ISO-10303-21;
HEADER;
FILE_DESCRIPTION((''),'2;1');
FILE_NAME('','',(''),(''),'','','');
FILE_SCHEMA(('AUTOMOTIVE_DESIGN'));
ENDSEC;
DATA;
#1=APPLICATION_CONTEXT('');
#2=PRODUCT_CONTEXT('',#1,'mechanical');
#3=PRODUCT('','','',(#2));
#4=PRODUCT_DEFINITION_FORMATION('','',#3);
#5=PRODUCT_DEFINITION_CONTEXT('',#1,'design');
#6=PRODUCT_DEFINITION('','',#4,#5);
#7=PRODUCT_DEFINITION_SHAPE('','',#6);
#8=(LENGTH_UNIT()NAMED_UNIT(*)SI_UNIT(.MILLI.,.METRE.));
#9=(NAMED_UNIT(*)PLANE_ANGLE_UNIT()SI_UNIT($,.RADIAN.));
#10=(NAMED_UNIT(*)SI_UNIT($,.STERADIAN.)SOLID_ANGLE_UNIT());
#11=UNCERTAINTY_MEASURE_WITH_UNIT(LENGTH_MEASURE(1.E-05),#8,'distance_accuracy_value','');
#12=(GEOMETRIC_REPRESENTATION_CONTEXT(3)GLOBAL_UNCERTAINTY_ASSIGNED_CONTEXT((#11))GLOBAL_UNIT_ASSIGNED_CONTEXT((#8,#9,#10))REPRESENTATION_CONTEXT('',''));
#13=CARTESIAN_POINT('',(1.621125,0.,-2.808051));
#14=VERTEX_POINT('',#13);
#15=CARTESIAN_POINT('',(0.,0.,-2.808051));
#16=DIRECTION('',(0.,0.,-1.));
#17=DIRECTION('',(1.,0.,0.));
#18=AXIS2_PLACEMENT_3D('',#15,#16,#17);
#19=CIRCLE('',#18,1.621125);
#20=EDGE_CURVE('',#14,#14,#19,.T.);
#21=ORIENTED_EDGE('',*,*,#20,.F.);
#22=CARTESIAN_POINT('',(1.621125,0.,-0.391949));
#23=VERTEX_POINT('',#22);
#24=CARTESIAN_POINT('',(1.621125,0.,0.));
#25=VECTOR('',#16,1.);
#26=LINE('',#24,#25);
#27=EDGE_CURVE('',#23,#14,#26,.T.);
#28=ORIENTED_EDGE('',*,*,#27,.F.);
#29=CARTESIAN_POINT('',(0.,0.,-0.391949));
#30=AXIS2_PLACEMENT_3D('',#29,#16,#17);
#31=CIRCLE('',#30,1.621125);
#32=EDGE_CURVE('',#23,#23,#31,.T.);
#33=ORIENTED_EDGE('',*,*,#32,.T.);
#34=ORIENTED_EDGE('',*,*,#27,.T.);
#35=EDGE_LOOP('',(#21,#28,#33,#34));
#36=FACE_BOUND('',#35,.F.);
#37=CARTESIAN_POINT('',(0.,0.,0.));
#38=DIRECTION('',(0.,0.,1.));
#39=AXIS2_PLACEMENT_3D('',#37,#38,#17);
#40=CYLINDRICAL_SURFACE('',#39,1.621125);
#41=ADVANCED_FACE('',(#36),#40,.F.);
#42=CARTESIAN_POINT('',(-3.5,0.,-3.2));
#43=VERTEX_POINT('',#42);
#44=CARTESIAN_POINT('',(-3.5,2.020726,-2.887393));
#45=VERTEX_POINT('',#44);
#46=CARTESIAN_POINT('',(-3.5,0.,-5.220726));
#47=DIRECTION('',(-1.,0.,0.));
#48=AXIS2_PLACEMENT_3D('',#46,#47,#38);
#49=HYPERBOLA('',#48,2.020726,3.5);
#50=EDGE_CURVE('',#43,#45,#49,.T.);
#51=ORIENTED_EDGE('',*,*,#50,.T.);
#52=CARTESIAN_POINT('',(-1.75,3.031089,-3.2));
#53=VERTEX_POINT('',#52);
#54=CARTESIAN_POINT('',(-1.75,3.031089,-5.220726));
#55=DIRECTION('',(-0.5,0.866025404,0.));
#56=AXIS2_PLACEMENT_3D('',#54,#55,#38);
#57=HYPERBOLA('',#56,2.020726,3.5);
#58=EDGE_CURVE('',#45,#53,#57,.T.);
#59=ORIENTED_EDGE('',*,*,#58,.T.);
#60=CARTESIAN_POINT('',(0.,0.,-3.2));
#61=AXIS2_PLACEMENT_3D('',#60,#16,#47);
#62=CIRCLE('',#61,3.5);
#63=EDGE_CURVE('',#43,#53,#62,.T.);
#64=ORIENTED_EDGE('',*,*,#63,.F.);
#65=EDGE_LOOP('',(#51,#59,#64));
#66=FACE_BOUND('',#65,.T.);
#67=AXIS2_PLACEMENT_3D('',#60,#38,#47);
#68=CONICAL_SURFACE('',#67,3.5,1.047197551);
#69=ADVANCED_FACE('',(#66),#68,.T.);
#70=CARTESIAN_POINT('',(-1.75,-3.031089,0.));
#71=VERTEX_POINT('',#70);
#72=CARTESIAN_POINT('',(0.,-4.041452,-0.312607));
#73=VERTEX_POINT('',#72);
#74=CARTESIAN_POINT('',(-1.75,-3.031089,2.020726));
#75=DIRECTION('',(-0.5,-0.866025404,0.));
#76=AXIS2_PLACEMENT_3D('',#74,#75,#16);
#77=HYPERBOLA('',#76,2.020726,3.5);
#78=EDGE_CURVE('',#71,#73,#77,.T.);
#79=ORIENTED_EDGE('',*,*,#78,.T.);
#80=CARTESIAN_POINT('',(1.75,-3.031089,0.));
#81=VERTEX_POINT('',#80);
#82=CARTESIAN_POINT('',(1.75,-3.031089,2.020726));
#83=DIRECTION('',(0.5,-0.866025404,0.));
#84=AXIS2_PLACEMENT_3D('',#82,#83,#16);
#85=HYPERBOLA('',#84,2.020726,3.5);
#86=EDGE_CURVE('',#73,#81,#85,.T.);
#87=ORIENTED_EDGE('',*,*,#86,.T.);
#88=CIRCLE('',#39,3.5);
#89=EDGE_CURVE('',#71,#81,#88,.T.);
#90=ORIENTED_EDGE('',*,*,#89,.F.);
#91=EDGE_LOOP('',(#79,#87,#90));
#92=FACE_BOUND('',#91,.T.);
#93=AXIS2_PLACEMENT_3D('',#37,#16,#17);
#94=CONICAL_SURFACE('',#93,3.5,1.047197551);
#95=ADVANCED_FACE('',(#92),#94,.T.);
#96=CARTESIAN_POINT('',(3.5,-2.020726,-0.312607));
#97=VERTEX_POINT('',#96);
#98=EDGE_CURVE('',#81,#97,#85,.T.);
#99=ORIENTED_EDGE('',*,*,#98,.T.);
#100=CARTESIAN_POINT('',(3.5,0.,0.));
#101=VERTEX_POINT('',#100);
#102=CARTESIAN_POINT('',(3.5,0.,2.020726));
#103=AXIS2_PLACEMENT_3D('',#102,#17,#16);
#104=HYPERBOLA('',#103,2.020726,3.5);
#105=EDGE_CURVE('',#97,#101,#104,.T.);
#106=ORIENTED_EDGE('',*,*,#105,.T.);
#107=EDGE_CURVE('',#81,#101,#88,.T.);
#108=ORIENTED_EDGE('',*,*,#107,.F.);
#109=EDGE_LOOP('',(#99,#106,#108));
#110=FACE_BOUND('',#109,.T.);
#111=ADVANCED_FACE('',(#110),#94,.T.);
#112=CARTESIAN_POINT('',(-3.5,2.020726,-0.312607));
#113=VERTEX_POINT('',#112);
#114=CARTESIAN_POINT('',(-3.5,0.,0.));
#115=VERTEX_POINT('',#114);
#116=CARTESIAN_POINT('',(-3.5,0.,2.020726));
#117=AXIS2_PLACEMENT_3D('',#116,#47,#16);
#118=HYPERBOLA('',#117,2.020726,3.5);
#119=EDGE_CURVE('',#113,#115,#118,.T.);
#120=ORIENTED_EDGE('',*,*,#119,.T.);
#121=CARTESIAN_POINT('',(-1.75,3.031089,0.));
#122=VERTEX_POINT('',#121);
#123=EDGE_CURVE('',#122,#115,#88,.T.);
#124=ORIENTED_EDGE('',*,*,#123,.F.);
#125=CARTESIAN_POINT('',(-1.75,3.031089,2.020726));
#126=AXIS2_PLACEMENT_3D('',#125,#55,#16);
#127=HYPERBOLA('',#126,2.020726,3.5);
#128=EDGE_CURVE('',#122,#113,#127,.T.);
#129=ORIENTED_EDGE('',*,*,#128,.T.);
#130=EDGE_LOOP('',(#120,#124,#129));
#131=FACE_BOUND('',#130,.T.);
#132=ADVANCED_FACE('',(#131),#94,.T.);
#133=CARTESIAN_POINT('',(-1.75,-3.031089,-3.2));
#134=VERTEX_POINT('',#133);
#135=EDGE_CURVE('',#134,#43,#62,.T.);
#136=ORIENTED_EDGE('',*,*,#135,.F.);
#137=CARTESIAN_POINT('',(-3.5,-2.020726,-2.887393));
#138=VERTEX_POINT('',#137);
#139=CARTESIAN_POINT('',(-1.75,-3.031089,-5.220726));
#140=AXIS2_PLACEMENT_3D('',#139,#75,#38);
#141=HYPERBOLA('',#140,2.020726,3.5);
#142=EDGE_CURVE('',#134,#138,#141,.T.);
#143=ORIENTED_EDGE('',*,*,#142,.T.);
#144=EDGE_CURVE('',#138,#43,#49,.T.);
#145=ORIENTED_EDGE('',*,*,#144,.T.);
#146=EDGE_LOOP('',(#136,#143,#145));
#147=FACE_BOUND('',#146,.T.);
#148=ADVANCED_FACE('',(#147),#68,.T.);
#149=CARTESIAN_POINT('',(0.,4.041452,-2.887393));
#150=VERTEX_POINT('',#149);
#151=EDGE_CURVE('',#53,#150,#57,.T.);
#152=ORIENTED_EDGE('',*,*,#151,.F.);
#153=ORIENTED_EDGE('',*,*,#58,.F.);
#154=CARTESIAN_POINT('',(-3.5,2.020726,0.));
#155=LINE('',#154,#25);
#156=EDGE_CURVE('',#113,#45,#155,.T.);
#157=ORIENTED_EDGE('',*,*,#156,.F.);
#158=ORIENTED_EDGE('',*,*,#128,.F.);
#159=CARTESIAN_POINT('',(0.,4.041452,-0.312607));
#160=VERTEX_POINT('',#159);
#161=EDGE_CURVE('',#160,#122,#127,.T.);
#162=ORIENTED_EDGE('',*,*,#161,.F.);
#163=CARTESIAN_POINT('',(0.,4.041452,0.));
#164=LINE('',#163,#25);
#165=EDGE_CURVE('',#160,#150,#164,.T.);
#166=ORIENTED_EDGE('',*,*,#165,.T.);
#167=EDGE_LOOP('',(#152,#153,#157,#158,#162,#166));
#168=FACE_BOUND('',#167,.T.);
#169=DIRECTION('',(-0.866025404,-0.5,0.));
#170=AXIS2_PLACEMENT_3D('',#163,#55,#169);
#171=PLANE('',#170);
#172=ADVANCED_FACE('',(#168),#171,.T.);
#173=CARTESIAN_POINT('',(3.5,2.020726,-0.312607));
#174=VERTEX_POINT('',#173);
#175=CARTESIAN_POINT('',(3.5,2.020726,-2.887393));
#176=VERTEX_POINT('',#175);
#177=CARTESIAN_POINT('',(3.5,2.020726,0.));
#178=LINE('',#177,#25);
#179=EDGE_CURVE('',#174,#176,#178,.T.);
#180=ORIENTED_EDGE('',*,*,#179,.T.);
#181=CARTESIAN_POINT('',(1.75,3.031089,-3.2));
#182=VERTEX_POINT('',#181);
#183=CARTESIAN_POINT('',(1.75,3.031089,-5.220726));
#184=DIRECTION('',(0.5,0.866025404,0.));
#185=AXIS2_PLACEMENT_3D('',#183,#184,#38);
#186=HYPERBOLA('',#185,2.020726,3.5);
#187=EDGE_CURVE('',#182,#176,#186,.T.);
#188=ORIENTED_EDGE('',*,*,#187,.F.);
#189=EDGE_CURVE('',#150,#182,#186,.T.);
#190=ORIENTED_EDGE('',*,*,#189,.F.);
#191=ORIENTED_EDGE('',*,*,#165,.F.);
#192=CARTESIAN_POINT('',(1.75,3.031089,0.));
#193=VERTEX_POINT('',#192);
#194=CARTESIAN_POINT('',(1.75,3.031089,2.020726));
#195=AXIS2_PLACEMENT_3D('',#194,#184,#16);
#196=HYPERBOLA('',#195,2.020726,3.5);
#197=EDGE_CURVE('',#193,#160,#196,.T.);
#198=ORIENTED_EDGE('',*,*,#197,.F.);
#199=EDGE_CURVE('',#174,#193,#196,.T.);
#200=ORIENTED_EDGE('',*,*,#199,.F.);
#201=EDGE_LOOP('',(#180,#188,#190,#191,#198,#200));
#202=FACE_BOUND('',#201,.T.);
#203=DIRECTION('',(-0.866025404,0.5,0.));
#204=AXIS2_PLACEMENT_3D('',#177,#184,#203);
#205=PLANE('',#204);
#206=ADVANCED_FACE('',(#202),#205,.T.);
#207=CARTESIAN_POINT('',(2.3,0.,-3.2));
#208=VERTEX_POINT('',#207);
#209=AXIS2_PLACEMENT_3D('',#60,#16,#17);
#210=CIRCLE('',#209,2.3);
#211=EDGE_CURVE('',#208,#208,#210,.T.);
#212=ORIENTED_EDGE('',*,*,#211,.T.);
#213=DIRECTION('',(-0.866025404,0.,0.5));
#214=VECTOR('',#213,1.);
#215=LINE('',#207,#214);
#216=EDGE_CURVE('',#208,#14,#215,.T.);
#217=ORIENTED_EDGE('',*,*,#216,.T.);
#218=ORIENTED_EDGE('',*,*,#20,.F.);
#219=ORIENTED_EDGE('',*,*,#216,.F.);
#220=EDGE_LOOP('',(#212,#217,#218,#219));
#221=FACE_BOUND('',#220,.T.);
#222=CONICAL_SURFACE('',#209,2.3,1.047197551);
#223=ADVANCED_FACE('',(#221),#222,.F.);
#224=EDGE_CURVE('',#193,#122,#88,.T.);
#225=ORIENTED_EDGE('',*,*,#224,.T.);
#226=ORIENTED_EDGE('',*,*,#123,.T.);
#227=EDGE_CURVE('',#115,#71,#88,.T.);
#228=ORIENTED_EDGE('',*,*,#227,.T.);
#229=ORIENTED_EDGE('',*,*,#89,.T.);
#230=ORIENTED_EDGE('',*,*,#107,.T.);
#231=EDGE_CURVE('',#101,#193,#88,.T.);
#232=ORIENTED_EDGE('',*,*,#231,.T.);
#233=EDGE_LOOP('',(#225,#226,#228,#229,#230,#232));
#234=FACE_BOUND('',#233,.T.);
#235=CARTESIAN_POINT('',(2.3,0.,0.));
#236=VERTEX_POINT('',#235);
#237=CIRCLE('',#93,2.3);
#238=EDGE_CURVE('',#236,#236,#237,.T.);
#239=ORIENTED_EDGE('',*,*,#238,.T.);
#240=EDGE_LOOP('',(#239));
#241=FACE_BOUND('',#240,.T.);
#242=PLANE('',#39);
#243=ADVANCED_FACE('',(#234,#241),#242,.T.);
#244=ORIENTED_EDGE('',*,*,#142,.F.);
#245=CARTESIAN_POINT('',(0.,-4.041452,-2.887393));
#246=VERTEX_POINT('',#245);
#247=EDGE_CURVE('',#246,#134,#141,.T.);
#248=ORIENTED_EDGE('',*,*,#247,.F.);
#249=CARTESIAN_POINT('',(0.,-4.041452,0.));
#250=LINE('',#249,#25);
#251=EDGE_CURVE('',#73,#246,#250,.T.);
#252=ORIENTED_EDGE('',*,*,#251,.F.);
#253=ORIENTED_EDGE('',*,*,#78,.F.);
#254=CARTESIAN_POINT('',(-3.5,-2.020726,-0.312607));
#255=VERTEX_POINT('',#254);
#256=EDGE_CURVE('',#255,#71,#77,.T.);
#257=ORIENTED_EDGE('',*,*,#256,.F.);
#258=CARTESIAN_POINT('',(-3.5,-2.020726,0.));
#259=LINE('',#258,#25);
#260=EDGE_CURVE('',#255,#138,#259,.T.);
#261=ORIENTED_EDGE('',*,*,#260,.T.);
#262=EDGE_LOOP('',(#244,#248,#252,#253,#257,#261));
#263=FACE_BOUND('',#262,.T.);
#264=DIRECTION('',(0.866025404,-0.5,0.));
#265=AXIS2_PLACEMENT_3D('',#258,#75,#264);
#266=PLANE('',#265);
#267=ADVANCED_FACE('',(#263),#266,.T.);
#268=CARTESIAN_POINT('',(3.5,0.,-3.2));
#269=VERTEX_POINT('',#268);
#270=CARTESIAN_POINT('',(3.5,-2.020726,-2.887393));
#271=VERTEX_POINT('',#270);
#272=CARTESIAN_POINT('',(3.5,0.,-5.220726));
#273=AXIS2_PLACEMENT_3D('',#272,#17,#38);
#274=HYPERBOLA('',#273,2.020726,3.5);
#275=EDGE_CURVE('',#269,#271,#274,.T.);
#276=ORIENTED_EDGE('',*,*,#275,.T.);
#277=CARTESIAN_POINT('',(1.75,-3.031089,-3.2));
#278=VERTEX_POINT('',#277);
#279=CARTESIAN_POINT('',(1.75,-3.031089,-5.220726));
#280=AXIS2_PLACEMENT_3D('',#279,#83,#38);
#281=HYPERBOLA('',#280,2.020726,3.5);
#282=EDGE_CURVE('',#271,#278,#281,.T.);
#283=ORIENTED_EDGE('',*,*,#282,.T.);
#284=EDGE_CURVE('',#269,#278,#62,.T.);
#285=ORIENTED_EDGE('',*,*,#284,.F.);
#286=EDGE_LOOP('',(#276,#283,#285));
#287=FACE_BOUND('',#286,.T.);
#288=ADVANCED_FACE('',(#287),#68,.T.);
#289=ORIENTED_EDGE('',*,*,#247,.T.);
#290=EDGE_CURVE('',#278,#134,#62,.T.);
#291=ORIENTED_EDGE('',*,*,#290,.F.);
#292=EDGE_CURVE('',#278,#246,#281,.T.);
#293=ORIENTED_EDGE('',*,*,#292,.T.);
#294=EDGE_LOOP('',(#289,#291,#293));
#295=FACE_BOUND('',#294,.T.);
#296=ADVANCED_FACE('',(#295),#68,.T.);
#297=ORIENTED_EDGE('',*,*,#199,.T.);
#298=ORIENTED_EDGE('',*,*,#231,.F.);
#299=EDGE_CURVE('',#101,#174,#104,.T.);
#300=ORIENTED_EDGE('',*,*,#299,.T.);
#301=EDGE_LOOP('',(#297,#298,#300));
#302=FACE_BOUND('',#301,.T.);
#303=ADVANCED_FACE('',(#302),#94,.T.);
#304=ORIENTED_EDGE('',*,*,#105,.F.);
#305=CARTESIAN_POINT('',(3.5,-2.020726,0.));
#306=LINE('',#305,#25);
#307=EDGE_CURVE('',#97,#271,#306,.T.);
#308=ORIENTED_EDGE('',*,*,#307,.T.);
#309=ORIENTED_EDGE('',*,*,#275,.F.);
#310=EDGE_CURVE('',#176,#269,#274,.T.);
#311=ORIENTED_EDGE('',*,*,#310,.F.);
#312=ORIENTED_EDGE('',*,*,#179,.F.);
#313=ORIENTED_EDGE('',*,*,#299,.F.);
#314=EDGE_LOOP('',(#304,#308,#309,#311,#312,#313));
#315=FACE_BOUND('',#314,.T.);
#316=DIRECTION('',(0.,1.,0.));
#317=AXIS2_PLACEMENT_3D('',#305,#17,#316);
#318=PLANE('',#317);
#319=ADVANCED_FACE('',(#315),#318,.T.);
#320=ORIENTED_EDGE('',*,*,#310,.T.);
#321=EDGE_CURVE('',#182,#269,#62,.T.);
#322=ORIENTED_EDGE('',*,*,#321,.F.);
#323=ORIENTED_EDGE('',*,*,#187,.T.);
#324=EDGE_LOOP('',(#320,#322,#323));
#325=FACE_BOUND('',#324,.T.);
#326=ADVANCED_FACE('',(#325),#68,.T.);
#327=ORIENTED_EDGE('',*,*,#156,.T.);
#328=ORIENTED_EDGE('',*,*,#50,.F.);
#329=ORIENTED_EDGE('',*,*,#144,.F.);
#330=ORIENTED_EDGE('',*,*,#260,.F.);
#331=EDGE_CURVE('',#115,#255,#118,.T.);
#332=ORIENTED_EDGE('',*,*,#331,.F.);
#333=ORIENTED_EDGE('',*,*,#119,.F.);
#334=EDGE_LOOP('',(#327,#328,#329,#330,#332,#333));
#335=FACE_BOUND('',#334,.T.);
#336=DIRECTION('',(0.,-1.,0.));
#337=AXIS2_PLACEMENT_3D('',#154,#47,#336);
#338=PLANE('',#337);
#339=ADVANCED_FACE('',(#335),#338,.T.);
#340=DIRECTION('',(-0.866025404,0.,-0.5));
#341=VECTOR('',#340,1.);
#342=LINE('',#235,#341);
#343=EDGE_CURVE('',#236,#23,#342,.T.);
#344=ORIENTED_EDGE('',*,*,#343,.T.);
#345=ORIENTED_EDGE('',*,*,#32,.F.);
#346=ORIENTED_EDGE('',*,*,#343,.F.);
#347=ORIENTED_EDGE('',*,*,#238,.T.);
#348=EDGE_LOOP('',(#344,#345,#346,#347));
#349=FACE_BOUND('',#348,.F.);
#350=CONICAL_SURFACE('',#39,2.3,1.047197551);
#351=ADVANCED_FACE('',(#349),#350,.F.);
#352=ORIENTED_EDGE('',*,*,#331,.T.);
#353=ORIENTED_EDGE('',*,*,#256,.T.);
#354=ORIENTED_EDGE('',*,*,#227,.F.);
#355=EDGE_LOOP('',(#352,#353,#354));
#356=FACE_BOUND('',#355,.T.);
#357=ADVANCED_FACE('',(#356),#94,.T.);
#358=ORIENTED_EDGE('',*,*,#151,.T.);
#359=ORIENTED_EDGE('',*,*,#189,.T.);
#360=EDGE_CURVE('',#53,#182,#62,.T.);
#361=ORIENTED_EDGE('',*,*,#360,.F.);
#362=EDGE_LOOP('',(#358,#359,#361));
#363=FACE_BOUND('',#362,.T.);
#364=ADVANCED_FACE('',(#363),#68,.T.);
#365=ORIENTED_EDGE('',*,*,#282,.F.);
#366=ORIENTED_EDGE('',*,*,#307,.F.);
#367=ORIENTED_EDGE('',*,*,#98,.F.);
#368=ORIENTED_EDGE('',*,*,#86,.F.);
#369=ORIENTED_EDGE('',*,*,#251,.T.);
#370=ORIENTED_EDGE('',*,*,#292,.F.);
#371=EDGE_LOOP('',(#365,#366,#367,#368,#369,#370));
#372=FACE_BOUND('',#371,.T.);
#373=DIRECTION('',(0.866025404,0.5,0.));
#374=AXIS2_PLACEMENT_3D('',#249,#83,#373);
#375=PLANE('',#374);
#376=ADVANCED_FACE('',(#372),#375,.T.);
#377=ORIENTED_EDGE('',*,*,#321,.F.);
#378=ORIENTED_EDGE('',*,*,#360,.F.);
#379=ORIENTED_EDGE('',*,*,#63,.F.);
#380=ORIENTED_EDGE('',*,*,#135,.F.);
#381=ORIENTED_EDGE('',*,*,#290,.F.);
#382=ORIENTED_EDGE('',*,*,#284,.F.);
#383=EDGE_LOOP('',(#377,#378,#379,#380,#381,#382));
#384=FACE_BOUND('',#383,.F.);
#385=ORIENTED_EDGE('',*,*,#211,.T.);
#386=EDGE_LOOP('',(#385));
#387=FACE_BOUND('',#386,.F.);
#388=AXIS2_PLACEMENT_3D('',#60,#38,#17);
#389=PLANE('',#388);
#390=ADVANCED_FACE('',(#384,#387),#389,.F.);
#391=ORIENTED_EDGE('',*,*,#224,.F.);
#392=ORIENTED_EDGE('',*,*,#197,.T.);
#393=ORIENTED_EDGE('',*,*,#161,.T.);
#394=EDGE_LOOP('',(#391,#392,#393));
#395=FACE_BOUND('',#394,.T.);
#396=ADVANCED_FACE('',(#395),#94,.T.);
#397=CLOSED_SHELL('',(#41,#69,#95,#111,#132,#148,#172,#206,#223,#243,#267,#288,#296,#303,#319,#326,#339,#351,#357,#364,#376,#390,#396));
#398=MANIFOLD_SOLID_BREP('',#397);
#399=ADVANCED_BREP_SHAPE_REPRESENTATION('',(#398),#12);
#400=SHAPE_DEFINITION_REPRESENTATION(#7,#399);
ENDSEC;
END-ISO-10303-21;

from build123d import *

# Parameters (mm, degrees)
SKETCH_3_R          = 1.621125
EXTRUDE_1_DEPTH     = 3.2
SKETCH_5_R          = 5.745
SKETCH_5_R_2        = 3.5
CUT_EXTRUDE_1_DEPTH = 0.64
CUT_EXTRUDE_1_DRAFT = -60
SKETCH_7_R          = 5.745
SKETCH_7_R_2        = 3.5
CUT_EXTRUDE_2_DEPTH = 0.64
CUT_EXTRUDE_2_DRAFT = -60


with BuildPart() as part:
    # 草图3 → 凸台-拉伸1 (new body)
    with BuildSketch(Plane.XY):
        Polygon((0, 4.041451884), (-3.5, 2.020725942), (-3.5, -2.020725942), (0, -4.041451884), (3.5, -2.020725942), (3.5, 2.020725942), align=None)
        Circle(SKETCH_3_R, mode=Mode.SUBTRACT)
    extrude(amount=-EXTRUDE_1_DEPTH)

    # 草图4 → 切除-旋转1 (revolve, cut)
    with BuildSketch(Plane(origin=(0, 0, 0), x_dir=(0, 0, -1), z_dir=(1, 0, 0)), mode=Mode.PRIVATE) as cut_revolve_1_sk:
        Polygon((0, 2.3), (0.391948664, 1.621125), (0.391948664, 0), (0, 0), align=None)
        Polygon((3.2, 0), (3.2, 2.3), (2.808051336, 1.621125), (2.808051336, 0), align=None)
    revolve(cut_revolve_1_sk.sketch.rotate(Axis((0, 0, 0), (0, 0, -1)), 90), axis=Axis((0, 0, 0), (0, 0, -1)), mode=Mode.SUBTRACT)


with BuildPart() as cut_extrude_1_tool:
    # 草图5 → 切除-拉伸1 (with draft: the straight prism first)
    with BuildSketch(Plane.XY):
        Circle(SKETCH_5_R)
        Circle(SKETCH_5_R_2, mode=Mode.SUBTRACT)
    extrude(amount=-CUT_EXTRUDE_1_DEPTH)
    # 切除-拉伸1: the draft: its side faces are tilted about the plane it starts from
    cut_extrude_1_sides = [cut_extrude_1_tool.faces().sort_by_distance(p)[0] for p in [
        (-5.745, 0, -0.32),
        (-3.5, 0, -0.32),
    ]]
    draft(cut_extrude_1_sides, Plane.XY, CUT_EXTRUDE_1_DRAFT)


with BuildPart() as part_1:
    add(part.part)

    # 切除-拉伸1: cut by cut_extrude_1_tool
    add(cut_extrude_1_tool.part, mode=Mode.SUBTRACT)


with BuildPart() as cut_extrude_2_tool:
    # 草图7 → 切除-拉伸2 (with draft: the straight prism first)
    with BuildSketch(Plane(origin=(0, 0, -3.2), x_dir=(-1, 0, 0), z_dir=(0, 0, -1))):
        Circle(SKETCH_7_R)
        Circle(SKETCH_7_R_2, mode=Mode.SUBTRACT)
    extrude(amount=-CUT_EXTRUDE_2_DEPTH)
    # 切除-拉伸2: the draft: its side faces are tilted about the plane it starts from
    cut_extrude_2_sides = [cut_extrude_2_tool.faces().sort_by_distance(p)[0] for p in [
        (5.745, 0, -2.88),
        (3.5, 0, -2.88),
    ]]
    draft(cut_extrude_2_sides, Plane(origin=(0, 0, -3.2), x_dir=(-1, 0, 0), z_dir=(0, 0, -1)), CUT_EXTRUDE_2_DRAFT)


with BuildPart() as part_2:
    add(part_1.part)

    # 切除-拉伸2: cut by cut_extrude_2_tool
    add(cut_extrude_2_tool.part, mode=Mode.SUBTRACT)


solid = part_2.part
